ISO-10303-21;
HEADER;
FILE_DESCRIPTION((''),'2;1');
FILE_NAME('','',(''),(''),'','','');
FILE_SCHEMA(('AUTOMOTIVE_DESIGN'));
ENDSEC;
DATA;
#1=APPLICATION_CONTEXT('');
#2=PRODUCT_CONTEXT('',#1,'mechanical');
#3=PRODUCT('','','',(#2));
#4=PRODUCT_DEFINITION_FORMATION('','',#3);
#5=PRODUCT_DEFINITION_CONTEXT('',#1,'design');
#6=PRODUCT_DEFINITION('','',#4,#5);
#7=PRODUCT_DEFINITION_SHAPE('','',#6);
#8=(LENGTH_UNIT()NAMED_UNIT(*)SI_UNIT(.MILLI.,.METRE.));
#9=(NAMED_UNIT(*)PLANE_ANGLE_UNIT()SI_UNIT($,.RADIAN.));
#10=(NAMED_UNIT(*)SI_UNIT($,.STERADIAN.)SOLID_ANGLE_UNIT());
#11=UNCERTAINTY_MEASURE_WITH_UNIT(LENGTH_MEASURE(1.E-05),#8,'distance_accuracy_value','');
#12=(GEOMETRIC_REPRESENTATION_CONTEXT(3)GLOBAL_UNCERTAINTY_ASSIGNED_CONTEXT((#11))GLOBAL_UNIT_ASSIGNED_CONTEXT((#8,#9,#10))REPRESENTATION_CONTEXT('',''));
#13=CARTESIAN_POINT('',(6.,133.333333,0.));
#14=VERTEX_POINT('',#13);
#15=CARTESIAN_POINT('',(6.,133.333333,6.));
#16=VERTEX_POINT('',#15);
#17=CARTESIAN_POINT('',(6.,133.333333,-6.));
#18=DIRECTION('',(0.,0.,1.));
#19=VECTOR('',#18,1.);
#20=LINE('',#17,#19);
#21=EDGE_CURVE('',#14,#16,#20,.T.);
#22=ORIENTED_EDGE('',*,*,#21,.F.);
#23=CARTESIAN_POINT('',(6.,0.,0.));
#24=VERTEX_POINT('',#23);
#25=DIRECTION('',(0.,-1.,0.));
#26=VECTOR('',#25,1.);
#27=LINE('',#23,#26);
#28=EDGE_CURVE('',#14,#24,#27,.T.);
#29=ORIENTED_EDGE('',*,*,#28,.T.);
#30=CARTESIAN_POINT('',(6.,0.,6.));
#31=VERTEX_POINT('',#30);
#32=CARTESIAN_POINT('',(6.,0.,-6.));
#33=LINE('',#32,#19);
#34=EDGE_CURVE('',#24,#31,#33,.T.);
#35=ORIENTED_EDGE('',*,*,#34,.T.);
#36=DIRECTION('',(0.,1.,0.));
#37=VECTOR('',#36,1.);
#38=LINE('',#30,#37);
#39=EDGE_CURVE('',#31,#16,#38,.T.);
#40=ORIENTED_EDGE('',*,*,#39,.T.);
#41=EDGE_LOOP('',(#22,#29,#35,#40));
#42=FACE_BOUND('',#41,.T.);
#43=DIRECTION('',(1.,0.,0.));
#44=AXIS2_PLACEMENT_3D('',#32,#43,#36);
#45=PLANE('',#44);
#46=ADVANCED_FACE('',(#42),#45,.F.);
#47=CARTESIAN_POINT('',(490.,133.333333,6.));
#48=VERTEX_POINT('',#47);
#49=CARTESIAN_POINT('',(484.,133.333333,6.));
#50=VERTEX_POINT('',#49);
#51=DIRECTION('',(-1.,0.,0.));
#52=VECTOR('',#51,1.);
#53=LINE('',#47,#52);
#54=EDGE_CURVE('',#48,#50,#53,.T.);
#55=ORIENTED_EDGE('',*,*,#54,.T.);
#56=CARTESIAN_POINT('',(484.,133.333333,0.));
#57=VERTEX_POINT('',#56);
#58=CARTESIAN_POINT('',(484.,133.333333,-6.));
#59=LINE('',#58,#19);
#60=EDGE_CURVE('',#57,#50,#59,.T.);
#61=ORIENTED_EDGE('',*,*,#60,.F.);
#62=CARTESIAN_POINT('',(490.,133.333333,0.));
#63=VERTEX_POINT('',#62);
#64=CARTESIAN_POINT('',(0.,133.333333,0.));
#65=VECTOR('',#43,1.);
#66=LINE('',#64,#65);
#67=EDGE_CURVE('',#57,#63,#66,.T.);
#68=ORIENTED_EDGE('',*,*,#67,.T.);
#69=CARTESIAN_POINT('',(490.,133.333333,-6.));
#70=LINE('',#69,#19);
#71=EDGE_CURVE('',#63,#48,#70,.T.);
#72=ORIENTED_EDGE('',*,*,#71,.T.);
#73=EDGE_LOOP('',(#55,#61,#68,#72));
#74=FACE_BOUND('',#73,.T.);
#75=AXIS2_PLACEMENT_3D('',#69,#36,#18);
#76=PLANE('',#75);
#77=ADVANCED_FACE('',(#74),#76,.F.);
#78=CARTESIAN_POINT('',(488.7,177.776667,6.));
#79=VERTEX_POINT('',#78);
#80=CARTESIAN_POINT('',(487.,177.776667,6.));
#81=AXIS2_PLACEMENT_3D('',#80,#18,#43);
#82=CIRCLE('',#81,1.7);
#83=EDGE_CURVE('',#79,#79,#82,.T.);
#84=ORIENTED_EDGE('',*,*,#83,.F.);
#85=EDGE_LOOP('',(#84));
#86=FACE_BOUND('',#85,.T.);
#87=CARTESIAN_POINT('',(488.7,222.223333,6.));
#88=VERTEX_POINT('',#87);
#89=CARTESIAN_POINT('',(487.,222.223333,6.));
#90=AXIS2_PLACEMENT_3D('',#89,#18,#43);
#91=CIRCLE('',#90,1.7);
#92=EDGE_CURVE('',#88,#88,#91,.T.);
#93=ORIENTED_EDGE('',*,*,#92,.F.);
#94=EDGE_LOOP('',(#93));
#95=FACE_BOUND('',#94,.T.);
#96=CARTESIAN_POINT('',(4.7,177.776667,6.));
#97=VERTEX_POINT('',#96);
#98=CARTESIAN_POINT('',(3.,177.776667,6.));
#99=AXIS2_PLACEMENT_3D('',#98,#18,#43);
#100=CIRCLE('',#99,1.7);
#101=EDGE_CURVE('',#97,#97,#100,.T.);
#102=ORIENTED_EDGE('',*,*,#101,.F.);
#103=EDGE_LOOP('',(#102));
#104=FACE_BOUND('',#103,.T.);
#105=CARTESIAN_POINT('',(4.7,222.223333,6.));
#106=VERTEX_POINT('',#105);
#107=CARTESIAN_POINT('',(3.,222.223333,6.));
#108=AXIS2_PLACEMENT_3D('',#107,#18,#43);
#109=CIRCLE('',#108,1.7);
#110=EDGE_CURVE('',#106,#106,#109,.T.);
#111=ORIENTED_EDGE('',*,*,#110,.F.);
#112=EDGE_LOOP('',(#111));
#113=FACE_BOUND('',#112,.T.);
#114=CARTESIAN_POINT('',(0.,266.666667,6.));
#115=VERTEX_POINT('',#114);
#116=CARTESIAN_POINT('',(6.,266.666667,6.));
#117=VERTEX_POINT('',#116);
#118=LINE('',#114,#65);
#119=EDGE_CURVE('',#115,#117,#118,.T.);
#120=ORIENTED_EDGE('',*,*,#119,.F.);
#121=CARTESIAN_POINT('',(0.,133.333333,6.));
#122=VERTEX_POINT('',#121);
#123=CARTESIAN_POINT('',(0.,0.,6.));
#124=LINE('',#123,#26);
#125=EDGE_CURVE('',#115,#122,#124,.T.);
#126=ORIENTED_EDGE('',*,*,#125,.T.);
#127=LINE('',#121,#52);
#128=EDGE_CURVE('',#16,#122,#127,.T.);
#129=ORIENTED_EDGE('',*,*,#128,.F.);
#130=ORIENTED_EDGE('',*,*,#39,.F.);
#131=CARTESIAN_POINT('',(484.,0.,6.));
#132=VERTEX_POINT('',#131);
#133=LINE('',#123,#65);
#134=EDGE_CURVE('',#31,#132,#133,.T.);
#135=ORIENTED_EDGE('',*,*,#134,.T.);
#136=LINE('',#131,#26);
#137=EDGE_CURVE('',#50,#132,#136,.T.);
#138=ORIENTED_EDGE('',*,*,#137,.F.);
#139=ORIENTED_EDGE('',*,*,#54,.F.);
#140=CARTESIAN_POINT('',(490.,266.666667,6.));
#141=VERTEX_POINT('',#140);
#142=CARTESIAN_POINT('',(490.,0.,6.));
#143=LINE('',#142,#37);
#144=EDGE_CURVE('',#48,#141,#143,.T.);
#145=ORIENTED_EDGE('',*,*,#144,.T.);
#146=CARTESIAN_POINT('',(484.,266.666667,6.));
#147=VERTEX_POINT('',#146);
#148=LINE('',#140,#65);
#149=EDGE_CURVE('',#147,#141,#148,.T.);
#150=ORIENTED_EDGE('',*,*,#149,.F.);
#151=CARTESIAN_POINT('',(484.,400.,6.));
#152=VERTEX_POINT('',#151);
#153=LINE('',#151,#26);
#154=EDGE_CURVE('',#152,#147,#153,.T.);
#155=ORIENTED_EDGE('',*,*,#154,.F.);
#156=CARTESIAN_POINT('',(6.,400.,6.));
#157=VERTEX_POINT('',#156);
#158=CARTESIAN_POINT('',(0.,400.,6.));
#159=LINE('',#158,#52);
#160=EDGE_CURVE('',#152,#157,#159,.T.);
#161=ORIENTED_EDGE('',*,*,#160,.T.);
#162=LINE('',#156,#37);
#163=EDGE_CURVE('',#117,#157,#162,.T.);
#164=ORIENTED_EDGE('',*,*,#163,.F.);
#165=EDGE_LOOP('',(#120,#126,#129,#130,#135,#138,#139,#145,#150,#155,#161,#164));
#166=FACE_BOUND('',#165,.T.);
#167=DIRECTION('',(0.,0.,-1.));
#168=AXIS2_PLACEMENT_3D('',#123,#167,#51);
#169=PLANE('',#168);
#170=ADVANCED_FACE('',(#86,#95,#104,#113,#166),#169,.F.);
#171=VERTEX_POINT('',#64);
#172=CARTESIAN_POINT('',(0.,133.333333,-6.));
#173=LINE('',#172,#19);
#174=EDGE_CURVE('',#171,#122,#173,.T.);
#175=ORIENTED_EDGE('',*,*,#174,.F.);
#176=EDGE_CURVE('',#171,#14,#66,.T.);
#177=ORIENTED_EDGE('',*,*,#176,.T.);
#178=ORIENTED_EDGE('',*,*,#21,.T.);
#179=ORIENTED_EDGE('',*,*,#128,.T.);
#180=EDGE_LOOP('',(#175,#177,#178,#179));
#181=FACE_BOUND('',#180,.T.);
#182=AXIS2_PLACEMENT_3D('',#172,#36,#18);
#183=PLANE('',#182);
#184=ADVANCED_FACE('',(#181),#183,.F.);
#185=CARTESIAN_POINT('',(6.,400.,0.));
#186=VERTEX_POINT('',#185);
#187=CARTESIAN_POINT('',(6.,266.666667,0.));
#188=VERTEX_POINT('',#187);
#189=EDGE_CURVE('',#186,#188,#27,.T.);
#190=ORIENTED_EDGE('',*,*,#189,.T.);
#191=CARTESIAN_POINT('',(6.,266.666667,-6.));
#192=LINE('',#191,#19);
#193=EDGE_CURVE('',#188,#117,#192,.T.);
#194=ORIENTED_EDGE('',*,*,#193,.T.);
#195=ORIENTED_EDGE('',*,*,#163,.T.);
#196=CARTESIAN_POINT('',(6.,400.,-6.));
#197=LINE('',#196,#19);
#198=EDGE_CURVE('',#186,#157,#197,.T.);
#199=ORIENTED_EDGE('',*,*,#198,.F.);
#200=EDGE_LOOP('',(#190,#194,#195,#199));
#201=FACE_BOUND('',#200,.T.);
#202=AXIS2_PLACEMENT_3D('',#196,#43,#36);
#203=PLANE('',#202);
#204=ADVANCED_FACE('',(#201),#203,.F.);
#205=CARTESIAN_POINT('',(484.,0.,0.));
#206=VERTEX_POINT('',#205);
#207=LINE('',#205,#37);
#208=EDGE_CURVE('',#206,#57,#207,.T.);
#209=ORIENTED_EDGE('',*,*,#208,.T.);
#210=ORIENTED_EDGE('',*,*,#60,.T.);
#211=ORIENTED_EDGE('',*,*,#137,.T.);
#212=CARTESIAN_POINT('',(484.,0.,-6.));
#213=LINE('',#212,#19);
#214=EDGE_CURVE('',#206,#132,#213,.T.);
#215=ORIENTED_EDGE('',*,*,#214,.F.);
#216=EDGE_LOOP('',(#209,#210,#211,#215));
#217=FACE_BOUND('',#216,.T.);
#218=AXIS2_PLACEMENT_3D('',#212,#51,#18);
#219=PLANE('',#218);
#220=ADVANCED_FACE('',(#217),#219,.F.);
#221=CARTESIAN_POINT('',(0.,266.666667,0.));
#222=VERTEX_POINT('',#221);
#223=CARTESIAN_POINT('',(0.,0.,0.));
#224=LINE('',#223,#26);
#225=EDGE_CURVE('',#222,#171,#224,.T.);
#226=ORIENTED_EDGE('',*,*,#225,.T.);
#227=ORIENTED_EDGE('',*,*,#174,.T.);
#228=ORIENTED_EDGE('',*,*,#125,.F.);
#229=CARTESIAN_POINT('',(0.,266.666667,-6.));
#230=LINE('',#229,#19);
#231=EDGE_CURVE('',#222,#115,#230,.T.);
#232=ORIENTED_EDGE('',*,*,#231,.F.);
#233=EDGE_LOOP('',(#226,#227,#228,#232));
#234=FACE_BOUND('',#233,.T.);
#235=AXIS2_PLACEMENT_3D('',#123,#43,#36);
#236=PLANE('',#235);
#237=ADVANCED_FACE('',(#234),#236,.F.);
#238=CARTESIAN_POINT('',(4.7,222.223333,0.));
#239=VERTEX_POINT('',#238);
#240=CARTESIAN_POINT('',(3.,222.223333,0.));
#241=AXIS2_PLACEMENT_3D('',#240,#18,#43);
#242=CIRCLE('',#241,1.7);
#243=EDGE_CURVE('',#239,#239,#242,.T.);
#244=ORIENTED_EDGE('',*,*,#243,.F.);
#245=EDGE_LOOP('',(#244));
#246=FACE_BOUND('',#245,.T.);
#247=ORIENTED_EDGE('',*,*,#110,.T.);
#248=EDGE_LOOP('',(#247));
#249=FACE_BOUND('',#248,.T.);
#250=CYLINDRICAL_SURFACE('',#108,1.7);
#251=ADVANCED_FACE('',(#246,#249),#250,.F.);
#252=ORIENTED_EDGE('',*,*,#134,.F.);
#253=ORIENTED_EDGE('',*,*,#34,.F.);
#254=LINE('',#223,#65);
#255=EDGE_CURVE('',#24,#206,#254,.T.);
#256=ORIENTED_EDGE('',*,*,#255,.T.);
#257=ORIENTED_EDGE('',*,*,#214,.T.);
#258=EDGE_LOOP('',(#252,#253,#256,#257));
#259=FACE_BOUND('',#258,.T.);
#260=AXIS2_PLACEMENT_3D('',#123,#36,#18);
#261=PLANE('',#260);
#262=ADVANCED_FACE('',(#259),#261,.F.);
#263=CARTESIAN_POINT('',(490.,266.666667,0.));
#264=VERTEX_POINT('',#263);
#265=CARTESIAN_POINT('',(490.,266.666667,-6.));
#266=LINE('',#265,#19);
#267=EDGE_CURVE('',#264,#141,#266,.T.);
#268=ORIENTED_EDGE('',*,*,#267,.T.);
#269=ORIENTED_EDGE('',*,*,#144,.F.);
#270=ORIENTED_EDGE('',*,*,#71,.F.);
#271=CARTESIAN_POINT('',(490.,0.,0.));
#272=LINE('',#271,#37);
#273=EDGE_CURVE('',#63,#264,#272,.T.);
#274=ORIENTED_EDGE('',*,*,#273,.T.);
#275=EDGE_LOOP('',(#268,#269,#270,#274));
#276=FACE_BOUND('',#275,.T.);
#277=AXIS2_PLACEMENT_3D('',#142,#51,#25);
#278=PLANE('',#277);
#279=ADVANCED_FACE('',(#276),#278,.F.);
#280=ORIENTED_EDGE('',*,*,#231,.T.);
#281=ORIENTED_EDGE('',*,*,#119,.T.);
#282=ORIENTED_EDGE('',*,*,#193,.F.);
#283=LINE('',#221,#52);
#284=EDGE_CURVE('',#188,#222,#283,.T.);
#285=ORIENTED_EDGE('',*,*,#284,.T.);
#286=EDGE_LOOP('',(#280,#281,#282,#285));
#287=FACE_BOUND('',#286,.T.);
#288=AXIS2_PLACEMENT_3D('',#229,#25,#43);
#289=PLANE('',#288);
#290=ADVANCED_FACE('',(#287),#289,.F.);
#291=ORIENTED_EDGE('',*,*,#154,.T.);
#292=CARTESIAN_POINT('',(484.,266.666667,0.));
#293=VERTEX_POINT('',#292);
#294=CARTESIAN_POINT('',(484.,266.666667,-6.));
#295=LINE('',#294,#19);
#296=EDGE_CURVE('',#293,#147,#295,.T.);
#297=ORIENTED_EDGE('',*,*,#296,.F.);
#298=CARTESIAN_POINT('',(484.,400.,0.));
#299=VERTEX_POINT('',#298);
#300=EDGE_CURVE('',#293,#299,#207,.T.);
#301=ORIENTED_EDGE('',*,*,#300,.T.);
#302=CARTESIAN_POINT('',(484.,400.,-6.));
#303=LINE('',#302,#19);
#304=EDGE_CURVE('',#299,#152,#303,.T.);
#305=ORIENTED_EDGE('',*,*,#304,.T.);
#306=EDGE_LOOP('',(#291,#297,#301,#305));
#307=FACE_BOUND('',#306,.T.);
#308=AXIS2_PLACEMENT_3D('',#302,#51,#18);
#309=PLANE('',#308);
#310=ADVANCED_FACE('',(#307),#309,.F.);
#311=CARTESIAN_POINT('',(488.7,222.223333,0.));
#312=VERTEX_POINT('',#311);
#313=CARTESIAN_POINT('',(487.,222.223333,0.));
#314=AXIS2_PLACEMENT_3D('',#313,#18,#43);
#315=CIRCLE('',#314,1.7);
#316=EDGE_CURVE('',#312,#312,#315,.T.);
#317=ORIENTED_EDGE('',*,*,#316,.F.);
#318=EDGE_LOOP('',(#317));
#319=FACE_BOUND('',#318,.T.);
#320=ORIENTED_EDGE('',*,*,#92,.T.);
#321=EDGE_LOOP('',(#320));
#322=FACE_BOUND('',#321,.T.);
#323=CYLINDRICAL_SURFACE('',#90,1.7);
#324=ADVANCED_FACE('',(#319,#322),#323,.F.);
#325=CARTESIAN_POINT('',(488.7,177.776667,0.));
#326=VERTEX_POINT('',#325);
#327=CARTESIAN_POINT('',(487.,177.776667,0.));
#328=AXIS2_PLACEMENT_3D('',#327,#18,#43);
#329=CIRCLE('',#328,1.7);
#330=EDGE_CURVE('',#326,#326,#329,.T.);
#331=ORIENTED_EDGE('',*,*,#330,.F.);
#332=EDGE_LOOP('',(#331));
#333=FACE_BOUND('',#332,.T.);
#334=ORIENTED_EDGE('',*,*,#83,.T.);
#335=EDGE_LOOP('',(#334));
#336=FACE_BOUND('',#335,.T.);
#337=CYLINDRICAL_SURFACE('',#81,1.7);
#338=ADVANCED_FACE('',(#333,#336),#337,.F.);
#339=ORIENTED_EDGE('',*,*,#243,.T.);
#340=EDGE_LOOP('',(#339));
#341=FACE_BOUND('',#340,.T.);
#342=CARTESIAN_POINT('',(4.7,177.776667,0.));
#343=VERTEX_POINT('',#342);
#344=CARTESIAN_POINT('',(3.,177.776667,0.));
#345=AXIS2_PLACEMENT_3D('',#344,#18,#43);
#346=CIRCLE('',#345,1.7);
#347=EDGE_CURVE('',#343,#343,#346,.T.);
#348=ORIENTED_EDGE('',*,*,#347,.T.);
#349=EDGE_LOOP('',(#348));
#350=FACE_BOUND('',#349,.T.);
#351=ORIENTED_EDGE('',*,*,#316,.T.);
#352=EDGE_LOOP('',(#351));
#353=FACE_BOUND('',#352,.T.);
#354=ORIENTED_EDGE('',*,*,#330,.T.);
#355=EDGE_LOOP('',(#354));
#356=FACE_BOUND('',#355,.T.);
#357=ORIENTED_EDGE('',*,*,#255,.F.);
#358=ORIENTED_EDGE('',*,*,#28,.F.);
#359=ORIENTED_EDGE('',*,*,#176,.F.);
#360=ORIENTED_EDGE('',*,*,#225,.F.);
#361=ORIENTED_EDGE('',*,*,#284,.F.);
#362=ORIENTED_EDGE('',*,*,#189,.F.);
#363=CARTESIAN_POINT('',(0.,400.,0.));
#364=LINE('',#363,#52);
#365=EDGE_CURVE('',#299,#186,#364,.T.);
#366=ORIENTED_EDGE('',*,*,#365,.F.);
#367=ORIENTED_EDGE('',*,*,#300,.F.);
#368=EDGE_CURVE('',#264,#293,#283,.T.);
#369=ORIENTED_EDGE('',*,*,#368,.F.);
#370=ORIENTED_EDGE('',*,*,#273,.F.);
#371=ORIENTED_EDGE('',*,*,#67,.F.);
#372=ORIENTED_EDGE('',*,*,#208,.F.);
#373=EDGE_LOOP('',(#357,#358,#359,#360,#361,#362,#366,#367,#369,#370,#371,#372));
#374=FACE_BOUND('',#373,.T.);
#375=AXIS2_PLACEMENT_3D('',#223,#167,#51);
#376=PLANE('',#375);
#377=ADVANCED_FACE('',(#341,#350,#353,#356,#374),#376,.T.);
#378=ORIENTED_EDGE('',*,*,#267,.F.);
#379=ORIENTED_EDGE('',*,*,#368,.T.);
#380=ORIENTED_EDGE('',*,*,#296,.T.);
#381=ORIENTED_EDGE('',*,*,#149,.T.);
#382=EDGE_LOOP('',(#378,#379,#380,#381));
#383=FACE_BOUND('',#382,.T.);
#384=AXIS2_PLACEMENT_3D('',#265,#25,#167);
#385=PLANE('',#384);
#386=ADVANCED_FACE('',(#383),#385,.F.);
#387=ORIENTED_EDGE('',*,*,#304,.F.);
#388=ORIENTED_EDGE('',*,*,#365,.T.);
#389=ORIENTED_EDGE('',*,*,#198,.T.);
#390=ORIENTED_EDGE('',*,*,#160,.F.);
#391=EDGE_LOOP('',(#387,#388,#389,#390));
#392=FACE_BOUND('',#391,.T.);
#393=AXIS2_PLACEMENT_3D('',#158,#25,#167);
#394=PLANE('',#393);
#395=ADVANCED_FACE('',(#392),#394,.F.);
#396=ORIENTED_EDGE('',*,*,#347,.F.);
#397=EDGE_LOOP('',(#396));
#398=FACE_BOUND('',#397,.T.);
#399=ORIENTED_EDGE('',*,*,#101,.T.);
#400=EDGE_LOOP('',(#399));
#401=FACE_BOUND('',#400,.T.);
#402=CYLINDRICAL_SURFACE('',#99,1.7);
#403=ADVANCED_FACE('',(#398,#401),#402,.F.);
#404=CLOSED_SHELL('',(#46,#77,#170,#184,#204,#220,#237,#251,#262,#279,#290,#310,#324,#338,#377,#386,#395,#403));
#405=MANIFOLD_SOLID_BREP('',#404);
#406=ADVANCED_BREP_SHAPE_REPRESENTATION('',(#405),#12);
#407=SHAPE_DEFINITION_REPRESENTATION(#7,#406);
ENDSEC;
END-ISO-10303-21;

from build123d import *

# Parameters (mm, degrees)
SKETCH1_W            = 490
SKETCH1_H            = 400
BOSS_EXTRUDE1_DEPTH  = 6
SKETCH2_W            = 6
SKETCH2_H            = 133.333333333
CUT_EXTRUDE1_DEPTH   = 12
M3_CLEARANCE_HOLE1_D = 3.4


with BuildPart() as part:
    # Sketch1 → Boss-Extrude1 (new body)
    with BuildSketch(Plane.XY):
        with Locations((245, 200)):
            Rectangle(SKETCH1_W, SKETCH1_H)
    extrude(amount=BOSS_EXTRUDE1_DEPTH)

    # Sketch2 → Cut-Extrude1 (cut)
    with BuildSketch(Plane.XY.offset(6)):
        with Locations((487, 333.333333334)):
            Rectangle(SKETCH2_W, SKETCH2_H)
        with Locations((3, 333.333333334)):
            Rectangle(SKETCH2_W, SKETCH2_H)
        with Locations((3, 66.666666667)):
            Rectangle(SKETCH2_W, SKETCH2_H)
        with Locations((487, 66.666666667)):
            Rectangle(SKETCH2_W, SKETCH2_H)
    extrude(amount=-CUT_EXTRUDE1_DEPTH, mode=Mode.SUBTRACT)

    # M3 Clearance Hole1 (through all)
    with Locations(Plane.XY.offset(6)):
        with Locations((3, 222.223333333), (3, 177.776666667), (487, 222.223333333), (487, 177.776666667)):
            Hole(M3_CLEARANCE_HOLE1_D / 2)


solid = part.part
